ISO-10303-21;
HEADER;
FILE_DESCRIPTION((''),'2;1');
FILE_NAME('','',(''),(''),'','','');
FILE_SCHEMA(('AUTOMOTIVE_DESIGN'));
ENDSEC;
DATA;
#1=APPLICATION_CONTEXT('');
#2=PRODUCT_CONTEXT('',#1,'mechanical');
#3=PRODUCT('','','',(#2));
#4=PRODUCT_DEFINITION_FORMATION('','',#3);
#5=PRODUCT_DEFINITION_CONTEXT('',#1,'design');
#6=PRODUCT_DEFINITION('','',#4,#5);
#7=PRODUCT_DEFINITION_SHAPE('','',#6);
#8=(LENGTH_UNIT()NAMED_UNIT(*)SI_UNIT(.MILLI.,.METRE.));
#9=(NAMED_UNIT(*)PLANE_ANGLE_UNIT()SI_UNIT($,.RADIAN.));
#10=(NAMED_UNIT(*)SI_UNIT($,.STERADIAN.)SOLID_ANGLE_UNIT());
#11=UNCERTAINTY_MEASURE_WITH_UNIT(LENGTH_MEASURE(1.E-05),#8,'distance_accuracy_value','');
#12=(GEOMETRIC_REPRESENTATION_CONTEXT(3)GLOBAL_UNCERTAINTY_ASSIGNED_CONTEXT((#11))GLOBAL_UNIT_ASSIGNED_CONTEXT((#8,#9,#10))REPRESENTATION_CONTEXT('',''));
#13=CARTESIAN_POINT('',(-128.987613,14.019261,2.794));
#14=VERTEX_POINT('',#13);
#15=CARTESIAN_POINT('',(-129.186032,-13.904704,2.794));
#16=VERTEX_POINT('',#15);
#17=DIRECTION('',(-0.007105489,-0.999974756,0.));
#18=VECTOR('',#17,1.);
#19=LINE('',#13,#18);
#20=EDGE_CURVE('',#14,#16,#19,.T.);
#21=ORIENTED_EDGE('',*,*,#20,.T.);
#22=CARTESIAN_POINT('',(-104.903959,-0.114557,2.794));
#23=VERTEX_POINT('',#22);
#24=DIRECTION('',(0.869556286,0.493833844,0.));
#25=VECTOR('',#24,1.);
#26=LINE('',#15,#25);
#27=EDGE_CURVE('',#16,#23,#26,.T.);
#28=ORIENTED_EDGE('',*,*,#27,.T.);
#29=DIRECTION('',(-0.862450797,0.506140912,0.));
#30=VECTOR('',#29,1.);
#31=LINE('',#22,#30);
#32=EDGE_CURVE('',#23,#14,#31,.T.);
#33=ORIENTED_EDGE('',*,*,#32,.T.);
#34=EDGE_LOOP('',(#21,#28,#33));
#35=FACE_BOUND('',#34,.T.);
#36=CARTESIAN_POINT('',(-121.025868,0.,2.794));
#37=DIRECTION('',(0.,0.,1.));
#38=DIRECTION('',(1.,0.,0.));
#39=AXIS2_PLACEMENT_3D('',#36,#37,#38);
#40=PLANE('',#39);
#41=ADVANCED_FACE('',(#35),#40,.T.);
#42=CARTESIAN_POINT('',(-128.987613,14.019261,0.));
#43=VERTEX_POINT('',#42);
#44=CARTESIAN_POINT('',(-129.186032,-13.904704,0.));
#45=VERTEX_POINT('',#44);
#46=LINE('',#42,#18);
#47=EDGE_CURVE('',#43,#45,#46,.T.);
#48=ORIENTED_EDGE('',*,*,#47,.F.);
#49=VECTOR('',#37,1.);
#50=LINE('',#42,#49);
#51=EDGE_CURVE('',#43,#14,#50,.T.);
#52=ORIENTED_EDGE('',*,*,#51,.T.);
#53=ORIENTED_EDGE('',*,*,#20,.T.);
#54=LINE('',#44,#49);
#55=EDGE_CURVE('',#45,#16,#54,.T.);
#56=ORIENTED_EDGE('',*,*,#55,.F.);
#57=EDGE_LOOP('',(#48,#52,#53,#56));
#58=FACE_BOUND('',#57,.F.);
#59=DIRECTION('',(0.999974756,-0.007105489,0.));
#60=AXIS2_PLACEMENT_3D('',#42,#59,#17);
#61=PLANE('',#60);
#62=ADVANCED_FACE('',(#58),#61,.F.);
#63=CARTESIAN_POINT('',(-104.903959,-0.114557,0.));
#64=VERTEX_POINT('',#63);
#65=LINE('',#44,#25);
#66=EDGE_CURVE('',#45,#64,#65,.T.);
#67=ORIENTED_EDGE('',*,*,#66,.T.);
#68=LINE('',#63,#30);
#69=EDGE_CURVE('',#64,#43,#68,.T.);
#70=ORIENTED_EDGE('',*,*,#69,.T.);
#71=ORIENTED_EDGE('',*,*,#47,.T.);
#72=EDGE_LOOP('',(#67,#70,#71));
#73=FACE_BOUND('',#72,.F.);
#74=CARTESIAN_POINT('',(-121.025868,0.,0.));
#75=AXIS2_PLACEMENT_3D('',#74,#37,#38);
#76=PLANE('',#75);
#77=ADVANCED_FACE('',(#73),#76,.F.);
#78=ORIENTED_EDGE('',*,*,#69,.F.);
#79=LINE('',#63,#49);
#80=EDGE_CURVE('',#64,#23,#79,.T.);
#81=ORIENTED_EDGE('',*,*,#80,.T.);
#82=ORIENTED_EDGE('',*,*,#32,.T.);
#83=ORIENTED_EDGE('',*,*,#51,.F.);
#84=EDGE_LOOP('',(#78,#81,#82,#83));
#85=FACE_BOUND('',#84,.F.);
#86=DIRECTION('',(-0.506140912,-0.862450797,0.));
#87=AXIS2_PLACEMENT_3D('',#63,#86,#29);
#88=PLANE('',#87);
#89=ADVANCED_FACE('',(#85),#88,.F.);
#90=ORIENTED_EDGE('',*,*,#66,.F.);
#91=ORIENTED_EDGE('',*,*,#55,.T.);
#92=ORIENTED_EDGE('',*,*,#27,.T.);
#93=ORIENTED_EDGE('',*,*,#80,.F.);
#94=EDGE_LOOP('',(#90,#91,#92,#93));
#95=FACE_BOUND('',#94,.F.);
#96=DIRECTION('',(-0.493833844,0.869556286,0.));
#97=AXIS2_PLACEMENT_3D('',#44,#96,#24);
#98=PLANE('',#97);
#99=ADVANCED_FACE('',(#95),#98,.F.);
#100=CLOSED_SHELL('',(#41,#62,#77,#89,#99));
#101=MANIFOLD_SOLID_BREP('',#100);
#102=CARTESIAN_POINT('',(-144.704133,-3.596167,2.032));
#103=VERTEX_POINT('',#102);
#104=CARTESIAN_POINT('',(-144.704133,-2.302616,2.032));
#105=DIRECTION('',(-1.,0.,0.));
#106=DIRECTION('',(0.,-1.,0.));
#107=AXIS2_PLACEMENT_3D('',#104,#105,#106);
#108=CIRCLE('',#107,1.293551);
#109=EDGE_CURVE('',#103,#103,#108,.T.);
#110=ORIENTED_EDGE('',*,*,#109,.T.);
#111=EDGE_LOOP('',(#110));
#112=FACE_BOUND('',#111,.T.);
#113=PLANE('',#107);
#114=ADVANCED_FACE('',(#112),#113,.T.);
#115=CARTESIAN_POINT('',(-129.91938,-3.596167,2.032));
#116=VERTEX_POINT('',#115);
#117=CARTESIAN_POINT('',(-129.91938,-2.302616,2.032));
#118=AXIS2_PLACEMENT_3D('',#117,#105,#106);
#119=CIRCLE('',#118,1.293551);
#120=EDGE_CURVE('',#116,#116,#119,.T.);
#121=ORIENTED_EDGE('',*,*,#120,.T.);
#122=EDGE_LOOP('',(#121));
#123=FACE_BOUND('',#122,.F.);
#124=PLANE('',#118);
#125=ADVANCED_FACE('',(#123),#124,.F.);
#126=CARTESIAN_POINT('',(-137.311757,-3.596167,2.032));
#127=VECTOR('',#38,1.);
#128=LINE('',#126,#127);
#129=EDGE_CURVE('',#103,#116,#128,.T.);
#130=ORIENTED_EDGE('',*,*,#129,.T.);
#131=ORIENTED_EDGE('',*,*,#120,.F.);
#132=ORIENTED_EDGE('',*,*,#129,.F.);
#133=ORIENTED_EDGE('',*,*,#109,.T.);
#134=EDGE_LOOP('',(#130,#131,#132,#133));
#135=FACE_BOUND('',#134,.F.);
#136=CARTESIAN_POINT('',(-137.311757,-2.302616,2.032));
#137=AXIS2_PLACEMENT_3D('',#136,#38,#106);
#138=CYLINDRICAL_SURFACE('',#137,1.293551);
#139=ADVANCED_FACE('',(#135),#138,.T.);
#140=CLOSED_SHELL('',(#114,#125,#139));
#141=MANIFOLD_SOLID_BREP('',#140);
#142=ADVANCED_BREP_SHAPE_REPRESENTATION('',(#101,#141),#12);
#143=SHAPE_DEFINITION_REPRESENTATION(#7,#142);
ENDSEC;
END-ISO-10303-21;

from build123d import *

# Parameters (mm, degrees)
F1_DEPTH = 2.794
F3_W     = 14.7847533226
F3_H     = 1.2935514096


with BuildPart() as f1:
    # F0 (on Top) → F1 (new body)
    with BuildSketch(Plane.XY):
        Polygon((-128.9876130796, 14.0192612934), (-129.1860315228, -13.9047043518), (-104.9039586781, -0.1145569416), align=None)
    extrude(amount=F1_DEPTH)


with BuildPart() as f4:
    # F3 (on offset) → F4 (revolve)
    with BuildSketch(Plane.XY.offset(2.032)):
        with Locations((-137.3117566109, -2.9493913753)):
            Rectangle(F3_W, F3_H)
    revolve(axis=Axis((-137.3117566109, -2.3026156705, 2.032), (-1, 0, 0)))


solid = Compound([f1.part, f4.part])
